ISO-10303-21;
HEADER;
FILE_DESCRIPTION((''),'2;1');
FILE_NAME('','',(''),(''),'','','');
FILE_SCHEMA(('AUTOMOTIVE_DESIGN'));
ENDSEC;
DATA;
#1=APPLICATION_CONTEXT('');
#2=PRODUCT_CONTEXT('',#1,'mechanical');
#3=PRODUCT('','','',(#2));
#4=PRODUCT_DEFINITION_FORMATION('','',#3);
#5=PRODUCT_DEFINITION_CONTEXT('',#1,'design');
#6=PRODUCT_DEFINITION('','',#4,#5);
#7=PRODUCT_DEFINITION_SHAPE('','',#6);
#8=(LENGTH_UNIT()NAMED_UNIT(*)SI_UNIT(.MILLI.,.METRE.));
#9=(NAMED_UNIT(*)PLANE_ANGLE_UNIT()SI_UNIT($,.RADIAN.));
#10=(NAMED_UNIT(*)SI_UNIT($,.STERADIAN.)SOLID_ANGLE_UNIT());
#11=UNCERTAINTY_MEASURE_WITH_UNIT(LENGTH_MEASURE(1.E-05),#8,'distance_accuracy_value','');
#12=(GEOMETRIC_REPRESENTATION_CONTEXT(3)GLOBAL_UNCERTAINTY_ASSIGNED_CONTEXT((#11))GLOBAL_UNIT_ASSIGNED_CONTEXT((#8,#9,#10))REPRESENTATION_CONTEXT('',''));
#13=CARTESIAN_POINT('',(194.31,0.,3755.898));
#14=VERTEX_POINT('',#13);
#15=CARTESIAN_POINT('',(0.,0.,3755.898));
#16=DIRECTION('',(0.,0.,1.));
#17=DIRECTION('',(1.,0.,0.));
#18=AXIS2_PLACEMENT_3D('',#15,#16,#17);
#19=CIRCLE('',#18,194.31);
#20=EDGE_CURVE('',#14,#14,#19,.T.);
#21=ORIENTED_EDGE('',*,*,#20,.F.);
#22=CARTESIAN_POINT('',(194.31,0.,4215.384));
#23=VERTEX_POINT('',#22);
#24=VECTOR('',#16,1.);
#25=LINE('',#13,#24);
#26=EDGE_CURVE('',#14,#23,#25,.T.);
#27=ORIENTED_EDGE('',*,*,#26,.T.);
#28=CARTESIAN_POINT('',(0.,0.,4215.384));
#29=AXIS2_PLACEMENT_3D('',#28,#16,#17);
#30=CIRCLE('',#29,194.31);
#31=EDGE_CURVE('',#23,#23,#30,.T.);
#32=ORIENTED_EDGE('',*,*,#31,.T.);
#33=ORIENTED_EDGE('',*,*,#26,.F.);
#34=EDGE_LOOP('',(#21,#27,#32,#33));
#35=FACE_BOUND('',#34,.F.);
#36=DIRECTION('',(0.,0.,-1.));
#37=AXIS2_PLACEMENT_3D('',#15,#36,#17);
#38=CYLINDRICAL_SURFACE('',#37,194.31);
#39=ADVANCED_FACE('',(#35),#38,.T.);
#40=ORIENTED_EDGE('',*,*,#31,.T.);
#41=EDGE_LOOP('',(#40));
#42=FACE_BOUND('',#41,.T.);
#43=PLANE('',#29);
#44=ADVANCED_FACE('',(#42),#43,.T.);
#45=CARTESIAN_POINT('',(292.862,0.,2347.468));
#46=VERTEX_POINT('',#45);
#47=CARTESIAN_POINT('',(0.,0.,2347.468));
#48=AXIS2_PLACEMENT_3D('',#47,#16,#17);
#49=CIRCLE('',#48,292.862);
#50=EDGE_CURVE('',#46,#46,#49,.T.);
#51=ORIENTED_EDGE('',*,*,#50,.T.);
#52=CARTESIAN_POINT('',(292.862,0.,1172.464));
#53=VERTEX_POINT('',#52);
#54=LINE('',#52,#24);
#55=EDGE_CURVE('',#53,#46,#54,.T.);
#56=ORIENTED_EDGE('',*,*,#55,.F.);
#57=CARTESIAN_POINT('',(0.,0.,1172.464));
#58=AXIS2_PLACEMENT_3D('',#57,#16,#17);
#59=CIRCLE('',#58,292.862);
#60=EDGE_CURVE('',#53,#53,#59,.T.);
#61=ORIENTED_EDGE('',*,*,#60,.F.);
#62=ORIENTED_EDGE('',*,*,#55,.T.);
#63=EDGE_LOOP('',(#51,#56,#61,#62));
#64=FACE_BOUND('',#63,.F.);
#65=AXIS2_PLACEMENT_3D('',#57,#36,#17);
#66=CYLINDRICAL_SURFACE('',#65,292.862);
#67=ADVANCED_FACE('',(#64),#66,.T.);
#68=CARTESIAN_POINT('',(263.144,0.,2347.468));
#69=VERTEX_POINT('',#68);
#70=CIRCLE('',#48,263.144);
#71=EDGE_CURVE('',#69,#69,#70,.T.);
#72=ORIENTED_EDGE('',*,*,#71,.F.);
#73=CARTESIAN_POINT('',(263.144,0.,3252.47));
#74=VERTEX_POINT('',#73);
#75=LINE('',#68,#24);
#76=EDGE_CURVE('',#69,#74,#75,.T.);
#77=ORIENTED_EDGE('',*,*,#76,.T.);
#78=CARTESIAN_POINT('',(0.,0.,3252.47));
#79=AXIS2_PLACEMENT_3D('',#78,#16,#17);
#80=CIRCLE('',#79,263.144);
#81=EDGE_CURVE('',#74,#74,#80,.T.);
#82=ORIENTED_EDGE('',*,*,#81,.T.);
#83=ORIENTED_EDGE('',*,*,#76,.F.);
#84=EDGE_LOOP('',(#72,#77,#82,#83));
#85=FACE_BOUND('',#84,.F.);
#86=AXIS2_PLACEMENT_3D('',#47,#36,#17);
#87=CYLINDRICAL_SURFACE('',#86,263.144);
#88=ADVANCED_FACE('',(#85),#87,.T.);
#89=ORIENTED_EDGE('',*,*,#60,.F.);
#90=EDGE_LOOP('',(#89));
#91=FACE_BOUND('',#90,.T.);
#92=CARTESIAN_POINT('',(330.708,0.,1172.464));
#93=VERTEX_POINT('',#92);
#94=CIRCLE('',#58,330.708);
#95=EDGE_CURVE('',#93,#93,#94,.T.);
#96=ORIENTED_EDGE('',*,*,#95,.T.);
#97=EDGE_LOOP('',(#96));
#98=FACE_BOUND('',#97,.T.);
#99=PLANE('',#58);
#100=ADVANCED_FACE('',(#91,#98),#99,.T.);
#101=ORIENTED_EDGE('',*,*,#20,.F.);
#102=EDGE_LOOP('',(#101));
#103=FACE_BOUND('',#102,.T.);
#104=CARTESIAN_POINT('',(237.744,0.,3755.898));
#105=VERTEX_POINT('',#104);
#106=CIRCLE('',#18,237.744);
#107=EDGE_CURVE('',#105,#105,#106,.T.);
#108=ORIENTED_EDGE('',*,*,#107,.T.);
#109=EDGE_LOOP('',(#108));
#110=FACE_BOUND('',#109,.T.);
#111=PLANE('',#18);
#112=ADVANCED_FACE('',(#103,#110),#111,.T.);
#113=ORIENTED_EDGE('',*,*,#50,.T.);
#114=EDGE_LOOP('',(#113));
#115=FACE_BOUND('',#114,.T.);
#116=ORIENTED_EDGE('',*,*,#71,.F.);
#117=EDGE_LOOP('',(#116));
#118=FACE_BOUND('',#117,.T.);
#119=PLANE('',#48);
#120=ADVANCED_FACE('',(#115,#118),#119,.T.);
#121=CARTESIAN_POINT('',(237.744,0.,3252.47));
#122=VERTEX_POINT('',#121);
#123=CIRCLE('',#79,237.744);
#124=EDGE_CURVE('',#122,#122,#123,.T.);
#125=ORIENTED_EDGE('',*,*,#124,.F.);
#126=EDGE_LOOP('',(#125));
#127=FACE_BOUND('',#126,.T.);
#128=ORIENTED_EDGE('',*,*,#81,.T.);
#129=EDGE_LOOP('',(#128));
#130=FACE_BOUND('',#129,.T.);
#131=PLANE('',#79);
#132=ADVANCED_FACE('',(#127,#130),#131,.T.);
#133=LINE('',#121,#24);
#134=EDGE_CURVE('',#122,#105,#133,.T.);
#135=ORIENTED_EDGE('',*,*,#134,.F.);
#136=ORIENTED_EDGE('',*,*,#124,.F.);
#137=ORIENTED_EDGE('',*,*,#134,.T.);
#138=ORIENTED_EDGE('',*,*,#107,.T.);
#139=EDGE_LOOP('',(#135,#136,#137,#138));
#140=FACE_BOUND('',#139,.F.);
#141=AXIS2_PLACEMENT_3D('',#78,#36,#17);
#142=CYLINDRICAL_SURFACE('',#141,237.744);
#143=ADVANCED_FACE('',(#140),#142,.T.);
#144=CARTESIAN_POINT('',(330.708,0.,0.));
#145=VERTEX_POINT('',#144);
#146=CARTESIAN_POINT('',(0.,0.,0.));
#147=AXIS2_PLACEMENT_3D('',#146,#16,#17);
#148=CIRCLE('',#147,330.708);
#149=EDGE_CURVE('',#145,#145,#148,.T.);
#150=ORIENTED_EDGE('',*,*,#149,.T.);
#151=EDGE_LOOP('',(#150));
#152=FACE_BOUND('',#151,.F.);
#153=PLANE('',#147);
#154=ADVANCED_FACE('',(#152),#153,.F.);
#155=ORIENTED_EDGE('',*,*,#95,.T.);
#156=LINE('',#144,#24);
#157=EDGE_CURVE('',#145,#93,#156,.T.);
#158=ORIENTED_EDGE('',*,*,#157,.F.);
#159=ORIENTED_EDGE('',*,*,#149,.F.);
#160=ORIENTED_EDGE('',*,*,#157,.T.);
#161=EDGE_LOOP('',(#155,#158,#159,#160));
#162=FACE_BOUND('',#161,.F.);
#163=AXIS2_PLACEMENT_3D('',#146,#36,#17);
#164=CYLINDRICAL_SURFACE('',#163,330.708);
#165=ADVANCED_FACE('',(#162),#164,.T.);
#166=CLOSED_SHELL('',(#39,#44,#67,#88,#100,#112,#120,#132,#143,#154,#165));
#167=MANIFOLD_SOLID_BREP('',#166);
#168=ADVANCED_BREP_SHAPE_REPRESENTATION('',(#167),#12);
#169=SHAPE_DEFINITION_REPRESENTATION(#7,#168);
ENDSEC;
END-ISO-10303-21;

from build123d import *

# Parameters (mm, degrees)
F0_R     = 330.708
F1_DEPTH = 1172.464
F2_R     = 292.862
F3_DEPTH = 1175.004
F4_R     = 263.144
F5_DEPTH = 905.002
F6_R     = 237.744
F7_DEPTH = 503.428
F8_R     = 194.31
F9_DEPTH = 459.486


with BuildPart() as f1:
    # F0 (on Top) → F1 (new body)
    with BuildSketch(Plane.XY):
        Circle(F0_R)
    extrude(amount=F1_DEPTH)

    # F2 (on face) → F3 (join)
    with BuildSketch(Plane.XY.offset(1172.464)):
        Circle(F2_R)
    extrude(amount=F3_DEPTH)

    # F4 (on face) → F5 (join)
    with BuildSketch(Plane.XY.offset(2347.468)):
        Circle(F4_R)
    extrude(amount=F5_DEPTH)

    # F6 (on face) → F7 (join)
    with BuildSketch(Plane.XY.offset(3252.47)):
        Circle(F6_R)
    extrude(amount=F7_DEPTH)

    # F8 (on face) → F9 (join)
    with BuildSketch(Plane.XY.offset(3755.898)):
        Circle(F8_R)
    extrude(amount=F9_DEPTH)


solid = f1.part
